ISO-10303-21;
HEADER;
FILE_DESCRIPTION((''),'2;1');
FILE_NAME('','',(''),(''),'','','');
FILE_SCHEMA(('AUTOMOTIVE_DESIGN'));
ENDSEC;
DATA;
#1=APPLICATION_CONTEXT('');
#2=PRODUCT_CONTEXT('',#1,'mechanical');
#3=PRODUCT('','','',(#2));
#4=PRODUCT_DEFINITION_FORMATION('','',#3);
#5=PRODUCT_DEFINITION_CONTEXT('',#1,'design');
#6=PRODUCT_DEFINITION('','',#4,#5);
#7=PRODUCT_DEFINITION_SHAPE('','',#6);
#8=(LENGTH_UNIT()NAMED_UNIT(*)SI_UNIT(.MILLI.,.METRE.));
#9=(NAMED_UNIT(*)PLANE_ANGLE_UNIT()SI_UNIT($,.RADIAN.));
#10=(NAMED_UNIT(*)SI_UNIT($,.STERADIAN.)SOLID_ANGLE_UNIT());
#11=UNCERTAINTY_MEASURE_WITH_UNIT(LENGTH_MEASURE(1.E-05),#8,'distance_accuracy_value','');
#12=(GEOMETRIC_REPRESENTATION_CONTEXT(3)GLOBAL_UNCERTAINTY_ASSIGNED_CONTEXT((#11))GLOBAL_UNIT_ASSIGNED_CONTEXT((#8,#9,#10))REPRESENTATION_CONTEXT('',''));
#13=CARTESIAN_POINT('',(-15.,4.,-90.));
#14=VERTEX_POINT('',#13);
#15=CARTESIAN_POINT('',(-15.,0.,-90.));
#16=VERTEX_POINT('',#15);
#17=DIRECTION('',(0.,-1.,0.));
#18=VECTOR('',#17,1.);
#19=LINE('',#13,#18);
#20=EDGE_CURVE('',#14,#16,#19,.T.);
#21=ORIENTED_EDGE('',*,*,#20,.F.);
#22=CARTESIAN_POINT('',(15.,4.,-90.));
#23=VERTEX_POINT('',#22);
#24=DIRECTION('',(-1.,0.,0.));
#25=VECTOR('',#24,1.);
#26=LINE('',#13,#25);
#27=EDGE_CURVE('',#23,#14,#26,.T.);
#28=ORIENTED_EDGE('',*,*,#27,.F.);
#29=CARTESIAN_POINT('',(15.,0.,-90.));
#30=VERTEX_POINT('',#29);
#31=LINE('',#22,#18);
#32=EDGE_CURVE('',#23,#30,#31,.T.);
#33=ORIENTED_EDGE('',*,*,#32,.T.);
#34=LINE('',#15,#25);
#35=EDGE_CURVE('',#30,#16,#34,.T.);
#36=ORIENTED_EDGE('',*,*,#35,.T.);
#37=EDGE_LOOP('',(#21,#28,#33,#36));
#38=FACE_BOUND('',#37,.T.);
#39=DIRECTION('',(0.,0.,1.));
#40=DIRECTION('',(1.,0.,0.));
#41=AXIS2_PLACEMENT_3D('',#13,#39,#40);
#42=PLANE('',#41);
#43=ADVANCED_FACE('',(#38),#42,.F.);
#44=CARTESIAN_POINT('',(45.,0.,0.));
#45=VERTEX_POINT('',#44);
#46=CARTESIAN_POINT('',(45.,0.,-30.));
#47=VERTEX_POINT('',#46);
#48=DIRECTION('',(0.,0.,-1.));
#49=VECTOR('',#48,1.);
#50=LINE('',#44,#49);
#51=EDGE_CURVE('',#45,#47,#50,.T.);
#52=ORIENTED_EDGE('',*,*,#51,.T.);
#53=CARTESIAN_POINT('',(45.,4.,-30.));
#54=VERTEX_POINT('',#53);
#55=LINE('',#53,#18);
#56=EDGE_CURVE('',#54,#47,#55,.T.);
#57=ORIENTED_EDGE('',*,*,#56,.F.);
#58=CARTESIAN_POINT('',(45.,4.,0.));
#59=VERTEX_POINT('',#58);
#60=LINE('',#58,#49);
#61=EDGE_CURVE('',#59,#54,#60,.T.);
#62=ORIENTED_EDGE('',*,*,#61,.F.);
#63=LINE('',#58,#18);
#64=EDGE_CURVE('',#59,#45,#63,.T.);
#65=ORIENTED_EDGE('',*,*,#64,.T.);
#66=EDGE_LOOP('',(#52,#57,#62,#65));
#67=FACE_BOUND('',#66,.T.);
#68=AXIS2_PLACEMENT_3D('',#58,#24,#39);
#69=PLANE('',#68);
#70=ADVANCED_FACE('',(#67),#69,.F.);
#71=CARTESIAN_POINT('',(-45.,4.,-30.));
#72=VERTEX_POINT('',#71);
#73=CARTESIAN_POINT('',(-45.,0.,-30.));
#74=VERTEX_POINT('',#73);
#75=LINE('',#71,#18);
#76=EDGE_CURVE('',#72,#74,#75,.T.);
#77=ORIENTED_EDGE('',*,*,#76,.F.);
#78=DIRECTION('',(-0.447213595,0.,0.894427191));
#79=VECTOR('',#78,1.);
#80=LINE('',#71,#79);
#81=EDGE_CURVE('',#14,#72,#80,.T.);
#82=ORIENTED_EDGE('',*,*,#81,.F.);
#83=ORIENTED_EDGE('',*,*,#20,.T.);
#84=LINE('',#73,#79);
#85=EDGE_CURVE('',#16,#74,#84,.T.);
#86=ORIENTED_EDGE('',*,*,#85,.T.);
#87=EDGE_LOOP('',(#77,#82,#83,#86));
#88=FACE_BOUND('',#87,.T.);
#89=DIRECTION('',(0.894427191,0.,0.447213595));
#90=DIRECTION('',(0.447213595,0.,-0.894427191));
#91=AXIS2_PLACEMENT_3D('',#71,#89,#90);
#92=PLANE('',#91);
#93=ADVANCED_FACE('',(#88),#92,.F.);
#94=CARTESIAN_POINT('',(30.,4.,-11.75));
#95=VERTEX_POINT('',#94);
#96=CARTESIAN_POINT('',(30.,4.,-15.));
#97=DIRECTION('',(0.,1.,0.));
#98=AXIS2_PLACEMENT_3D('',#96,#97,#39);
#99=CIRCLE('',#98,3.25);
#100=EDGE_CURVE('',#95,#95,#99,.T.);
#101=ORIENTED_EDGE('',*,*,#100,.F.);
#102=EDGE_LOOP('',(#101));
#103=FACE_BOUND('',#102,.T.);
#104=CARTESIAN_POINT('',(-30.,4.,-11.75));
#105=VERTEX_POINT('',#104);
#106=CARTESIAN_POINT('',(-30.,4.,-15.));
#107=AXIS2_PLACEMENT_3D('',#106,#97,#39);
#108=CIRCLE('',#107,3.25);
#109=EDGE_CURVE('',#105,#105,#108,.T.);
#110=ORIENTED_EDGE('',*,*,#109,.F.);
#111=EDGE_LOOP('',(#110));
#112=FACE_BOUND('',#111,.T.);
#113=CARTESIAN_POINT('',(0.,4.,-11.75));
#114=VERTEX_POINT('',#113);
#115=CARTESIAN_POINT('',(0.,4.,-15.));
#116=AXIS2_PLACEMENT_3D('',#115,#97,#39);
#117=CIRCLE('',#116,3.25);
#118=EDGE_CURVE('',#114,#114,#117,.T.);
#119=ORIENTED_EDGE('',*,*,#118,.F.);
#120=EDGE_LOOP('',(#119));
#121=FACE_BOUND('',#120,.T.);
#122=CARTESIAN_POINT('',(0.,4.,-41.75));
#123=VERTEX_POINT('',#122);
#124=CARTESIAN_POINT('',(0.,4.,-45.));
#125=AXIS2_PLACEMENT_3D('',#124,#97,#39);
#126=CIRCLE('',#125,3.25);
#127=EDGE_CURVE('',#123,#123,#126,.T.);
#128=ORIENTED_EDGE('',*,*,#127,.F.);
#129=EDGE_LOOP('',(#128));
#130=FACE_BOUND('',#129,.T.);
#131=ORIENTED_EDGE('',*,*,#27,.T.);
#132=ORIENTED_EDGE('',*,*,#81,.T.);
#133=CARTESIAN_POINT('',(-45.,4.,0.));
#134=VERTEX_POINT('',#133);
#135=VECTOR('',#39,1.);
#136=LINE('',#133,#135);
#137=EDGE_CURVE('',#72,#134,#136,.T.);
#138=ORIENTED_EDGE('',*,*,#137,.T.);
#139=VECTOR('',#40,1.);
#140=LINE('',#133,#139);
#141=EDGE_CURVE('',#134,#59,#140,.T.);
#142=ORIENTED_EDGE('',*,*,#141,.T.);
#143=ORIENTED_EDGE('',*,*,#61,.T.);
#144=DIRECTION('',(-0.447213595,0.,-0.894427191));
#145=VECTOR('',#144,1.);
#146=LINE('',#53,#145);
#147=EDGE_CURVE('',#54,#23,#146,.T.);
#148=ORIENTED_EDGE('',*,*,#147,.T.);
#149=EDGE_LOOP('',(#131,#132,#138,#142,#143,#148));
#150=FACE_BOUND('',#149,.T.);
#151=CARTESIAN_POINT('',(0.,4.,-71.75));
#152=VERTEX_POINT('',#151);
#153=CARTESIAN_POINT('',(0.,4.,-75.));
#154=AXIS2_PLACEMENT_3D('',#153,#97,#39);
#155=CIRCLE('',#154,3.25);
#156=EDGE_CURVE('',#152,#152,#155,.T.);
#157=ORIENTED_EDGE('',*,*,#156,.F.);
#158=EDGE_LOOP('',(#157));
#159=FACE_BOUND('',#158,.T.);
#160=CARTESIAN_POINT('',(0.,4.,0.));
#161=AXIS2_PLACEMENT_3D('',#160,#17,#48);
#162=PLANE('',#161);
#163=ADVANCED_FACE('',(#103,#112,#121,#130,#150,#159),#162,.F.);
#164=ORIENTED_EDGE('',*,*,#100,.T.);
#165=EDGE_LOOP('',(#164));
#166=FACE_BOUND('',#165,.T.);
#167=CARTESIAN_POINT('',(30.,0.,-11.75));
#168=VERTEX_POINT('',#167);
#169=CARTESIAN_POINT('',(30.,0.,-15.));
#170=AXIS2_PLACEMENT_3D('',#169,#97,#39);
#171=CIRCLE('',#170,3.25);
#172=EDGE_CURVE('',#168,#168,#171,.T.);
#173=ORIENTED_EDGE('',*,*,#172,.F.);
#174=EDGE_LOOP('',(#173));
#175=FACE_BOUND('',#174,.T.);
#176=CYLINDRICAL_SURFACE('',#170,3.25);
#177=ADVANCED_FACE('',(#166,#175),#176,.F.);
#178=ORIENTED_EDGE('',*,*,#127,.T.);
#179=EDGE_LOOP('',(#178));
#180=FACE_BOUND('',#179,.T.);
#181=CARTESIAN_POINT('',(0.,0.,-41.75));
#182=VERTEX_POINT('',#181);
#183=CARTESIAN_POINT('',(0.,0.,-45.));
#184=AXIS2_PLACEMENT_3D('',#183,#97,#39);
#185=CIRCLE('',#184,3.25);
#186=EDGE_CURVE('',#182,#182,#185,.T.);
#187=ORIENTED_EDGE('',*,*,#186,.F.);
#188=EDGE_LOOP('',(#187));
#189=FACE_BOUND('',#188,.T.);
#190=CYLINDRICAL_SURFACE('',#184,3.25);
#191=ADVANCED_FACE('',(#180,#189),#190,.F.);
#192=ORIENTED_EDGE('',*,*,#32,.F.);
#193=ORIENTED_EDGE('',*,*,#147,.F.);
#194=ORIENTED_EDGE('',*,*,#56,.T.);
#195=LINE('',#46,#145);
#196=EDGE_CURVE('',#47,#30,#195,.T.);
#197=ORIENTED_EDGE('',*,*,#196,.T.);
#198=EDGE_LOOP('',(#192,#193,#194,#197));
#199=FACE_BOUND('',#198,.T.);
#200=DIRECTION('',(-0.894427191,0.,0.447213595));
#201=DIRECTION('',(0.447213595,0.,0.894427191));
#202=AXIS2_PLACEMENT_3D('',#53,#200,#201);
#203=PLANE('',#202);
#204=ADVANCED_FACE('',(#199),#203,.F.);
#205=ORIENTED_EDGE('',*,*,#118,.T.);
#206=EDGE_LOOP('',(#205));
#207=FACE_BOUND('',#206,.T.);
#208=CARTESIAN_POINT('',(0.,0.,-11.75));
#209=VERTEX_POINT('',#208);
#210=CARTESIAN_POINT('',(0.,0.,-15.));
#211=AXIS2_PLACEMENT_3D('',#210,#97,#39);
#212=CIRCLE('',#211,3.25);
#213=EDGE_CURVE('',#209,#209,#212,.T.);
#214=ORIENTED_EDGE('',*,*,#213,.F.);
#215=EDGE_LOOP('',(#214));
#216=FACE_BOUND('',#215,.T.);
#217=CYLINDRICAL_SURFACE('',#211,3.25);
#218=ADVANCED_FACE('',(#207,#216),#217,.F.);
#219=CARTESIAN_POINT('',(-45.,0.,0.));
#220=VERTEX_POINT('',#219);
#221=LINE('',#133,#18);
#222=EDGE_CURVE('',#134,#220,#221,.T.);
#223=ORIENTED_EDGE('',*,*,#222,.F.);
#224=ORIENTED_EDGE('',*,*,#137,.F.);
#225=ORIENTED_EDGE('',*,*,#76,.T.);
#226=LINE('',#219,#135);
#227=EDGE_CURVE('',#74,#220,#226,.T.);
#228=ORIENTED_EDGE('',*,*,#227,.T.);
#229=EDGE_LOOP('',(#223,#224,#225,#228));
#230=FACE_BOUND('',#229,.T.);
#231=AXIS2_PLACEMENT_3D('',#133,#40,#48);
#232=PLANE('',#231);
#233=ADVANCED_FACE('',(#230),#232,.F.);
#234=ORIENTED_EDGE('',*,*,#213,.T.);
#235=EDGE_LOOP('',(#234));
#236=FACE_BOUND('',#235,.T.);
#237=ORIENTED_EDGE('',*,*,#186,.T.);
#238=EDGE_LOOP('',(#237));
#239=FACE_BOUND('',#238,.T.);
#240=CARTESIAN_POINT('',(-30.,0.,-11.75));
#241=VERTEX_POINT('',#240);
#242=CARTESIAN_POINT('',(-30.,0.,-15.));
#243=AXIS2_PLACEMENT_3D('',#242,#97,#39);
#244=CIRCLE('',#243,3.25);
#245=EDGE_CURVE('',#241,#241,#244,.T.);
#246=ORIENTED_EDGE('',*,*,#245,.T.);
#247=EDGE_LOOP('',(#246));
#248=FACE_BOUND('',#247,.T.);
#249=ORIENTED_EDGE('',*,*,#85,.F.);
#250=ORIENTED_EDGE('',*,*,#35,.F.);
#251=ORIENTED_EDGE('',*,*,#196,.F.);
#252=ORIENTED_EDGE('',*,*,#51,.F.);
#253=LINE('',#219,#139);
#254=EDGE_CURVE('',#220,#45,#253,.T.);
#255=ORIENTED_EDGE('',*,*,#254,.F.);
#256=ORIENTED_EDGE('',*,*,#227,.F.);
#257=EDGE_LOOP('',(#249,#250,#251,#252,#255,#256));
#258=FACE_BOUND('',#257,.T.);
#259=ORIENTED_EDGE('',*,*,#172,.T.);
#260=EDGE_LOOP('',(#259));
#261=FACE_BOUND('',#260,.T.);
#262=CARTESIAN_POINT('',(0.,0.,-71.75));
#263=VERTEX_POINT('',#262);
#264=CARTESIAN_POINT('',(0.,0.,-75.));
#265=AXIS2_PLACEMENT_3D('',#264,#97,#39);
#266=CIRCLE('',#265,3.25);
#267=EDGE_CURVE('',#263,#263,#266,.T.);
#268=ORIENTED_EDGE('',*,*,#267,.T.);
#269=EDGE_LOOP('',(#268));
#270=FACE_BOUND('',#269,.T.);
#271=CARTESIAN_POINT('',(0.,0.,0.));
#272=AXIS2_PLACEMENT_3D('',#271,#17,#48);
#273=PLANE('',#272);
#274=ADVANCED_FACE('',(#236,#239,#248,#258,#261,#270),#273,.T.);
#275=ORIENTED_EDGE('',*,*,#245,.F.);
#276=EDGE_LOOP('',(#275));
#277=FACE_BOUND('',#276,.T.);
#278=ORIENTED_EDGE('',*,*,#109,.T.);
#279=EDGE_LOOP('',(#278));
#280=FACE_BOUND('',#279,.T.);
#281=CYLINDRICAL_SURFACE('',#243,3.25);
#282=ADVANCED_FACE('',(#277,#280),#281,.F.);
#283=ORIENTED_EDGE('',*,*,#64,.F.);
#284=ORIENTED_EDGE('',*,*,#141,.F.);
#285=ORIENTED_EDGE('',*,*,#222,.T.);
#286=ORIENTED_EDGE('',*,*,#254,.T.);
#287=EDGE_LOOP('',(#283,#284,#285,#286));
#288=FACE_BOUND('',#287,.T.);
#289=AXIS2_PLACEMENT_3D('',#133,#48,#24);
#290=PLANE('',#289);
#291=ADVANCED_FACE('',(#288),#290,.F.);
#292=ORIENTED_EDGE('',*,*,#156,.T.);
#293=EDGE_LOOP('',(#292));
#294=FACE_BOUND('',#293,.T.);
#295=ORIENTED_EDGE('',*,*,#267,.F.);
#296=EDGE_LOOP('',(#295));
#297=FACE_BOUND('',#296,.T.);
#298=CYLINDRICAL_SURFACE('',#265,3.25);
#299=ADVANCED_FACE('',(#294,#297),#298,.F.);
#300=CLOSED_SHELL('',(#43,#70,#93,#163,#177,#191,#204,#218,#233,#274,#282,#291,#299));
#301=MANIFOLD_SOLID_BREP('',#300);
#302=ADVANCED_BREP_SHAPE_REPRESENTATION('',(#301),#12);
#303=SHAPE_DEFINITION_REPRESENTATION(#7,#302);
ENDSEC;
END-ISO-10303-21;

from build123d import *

# Parameters (mm, degrees)
BOSS_EXTRUDE1_DEPTH = 4
SKETCH2_R           = 3.25
CUT_EXTRUDE1_DEPTH  = 101.702532242


with BuildPart() as part:
    # Sketch1 → Boss-Extrude1 (new body)
    with BuildSketch(Plane(origin=(0, 0, 0), x_dir=(1, 0, 0), z_dir=(0, 1, 0))):
        Polygon((-45, 0), (45, 0), (45, 30), (15, 90), (-15, 90), (-45, 30), align=None)
    extrude(amount=BOSS_EXTRUDE1_DEPTH)

    # Sketch2 → Cut-Extrude1 (cut, through all)
    with BuildSketch(Plane(origin=(0, 4, 0), x_dir=(1, 0, 0), z_dir=(0, 1, 0))):
        with Locations(Location((0, 75, 0), (0, 0, 270))):
            Circle(SKETCH2_R)
        with Locations(Location((0, 45, 0), (0, 0, 270))):
            Circle(SKETCH2_R)
        with Locations(Location((0, 15, 0), (0, 0, 270))):
            Circle(SKETCH2_R)
        with Locations(Location((30, 15, 0), (0, 0, 270))):
            Circle(SKETCH2_R)
        with Locations(Location((-30, 15, 0), (0, 0, 270))):
            Circle(SKETCH2_R)
    extrude(amount=-CUT_EXTRUDE1_DEPTH, mode=Mode.SUBTRACT)


solid = part.part
